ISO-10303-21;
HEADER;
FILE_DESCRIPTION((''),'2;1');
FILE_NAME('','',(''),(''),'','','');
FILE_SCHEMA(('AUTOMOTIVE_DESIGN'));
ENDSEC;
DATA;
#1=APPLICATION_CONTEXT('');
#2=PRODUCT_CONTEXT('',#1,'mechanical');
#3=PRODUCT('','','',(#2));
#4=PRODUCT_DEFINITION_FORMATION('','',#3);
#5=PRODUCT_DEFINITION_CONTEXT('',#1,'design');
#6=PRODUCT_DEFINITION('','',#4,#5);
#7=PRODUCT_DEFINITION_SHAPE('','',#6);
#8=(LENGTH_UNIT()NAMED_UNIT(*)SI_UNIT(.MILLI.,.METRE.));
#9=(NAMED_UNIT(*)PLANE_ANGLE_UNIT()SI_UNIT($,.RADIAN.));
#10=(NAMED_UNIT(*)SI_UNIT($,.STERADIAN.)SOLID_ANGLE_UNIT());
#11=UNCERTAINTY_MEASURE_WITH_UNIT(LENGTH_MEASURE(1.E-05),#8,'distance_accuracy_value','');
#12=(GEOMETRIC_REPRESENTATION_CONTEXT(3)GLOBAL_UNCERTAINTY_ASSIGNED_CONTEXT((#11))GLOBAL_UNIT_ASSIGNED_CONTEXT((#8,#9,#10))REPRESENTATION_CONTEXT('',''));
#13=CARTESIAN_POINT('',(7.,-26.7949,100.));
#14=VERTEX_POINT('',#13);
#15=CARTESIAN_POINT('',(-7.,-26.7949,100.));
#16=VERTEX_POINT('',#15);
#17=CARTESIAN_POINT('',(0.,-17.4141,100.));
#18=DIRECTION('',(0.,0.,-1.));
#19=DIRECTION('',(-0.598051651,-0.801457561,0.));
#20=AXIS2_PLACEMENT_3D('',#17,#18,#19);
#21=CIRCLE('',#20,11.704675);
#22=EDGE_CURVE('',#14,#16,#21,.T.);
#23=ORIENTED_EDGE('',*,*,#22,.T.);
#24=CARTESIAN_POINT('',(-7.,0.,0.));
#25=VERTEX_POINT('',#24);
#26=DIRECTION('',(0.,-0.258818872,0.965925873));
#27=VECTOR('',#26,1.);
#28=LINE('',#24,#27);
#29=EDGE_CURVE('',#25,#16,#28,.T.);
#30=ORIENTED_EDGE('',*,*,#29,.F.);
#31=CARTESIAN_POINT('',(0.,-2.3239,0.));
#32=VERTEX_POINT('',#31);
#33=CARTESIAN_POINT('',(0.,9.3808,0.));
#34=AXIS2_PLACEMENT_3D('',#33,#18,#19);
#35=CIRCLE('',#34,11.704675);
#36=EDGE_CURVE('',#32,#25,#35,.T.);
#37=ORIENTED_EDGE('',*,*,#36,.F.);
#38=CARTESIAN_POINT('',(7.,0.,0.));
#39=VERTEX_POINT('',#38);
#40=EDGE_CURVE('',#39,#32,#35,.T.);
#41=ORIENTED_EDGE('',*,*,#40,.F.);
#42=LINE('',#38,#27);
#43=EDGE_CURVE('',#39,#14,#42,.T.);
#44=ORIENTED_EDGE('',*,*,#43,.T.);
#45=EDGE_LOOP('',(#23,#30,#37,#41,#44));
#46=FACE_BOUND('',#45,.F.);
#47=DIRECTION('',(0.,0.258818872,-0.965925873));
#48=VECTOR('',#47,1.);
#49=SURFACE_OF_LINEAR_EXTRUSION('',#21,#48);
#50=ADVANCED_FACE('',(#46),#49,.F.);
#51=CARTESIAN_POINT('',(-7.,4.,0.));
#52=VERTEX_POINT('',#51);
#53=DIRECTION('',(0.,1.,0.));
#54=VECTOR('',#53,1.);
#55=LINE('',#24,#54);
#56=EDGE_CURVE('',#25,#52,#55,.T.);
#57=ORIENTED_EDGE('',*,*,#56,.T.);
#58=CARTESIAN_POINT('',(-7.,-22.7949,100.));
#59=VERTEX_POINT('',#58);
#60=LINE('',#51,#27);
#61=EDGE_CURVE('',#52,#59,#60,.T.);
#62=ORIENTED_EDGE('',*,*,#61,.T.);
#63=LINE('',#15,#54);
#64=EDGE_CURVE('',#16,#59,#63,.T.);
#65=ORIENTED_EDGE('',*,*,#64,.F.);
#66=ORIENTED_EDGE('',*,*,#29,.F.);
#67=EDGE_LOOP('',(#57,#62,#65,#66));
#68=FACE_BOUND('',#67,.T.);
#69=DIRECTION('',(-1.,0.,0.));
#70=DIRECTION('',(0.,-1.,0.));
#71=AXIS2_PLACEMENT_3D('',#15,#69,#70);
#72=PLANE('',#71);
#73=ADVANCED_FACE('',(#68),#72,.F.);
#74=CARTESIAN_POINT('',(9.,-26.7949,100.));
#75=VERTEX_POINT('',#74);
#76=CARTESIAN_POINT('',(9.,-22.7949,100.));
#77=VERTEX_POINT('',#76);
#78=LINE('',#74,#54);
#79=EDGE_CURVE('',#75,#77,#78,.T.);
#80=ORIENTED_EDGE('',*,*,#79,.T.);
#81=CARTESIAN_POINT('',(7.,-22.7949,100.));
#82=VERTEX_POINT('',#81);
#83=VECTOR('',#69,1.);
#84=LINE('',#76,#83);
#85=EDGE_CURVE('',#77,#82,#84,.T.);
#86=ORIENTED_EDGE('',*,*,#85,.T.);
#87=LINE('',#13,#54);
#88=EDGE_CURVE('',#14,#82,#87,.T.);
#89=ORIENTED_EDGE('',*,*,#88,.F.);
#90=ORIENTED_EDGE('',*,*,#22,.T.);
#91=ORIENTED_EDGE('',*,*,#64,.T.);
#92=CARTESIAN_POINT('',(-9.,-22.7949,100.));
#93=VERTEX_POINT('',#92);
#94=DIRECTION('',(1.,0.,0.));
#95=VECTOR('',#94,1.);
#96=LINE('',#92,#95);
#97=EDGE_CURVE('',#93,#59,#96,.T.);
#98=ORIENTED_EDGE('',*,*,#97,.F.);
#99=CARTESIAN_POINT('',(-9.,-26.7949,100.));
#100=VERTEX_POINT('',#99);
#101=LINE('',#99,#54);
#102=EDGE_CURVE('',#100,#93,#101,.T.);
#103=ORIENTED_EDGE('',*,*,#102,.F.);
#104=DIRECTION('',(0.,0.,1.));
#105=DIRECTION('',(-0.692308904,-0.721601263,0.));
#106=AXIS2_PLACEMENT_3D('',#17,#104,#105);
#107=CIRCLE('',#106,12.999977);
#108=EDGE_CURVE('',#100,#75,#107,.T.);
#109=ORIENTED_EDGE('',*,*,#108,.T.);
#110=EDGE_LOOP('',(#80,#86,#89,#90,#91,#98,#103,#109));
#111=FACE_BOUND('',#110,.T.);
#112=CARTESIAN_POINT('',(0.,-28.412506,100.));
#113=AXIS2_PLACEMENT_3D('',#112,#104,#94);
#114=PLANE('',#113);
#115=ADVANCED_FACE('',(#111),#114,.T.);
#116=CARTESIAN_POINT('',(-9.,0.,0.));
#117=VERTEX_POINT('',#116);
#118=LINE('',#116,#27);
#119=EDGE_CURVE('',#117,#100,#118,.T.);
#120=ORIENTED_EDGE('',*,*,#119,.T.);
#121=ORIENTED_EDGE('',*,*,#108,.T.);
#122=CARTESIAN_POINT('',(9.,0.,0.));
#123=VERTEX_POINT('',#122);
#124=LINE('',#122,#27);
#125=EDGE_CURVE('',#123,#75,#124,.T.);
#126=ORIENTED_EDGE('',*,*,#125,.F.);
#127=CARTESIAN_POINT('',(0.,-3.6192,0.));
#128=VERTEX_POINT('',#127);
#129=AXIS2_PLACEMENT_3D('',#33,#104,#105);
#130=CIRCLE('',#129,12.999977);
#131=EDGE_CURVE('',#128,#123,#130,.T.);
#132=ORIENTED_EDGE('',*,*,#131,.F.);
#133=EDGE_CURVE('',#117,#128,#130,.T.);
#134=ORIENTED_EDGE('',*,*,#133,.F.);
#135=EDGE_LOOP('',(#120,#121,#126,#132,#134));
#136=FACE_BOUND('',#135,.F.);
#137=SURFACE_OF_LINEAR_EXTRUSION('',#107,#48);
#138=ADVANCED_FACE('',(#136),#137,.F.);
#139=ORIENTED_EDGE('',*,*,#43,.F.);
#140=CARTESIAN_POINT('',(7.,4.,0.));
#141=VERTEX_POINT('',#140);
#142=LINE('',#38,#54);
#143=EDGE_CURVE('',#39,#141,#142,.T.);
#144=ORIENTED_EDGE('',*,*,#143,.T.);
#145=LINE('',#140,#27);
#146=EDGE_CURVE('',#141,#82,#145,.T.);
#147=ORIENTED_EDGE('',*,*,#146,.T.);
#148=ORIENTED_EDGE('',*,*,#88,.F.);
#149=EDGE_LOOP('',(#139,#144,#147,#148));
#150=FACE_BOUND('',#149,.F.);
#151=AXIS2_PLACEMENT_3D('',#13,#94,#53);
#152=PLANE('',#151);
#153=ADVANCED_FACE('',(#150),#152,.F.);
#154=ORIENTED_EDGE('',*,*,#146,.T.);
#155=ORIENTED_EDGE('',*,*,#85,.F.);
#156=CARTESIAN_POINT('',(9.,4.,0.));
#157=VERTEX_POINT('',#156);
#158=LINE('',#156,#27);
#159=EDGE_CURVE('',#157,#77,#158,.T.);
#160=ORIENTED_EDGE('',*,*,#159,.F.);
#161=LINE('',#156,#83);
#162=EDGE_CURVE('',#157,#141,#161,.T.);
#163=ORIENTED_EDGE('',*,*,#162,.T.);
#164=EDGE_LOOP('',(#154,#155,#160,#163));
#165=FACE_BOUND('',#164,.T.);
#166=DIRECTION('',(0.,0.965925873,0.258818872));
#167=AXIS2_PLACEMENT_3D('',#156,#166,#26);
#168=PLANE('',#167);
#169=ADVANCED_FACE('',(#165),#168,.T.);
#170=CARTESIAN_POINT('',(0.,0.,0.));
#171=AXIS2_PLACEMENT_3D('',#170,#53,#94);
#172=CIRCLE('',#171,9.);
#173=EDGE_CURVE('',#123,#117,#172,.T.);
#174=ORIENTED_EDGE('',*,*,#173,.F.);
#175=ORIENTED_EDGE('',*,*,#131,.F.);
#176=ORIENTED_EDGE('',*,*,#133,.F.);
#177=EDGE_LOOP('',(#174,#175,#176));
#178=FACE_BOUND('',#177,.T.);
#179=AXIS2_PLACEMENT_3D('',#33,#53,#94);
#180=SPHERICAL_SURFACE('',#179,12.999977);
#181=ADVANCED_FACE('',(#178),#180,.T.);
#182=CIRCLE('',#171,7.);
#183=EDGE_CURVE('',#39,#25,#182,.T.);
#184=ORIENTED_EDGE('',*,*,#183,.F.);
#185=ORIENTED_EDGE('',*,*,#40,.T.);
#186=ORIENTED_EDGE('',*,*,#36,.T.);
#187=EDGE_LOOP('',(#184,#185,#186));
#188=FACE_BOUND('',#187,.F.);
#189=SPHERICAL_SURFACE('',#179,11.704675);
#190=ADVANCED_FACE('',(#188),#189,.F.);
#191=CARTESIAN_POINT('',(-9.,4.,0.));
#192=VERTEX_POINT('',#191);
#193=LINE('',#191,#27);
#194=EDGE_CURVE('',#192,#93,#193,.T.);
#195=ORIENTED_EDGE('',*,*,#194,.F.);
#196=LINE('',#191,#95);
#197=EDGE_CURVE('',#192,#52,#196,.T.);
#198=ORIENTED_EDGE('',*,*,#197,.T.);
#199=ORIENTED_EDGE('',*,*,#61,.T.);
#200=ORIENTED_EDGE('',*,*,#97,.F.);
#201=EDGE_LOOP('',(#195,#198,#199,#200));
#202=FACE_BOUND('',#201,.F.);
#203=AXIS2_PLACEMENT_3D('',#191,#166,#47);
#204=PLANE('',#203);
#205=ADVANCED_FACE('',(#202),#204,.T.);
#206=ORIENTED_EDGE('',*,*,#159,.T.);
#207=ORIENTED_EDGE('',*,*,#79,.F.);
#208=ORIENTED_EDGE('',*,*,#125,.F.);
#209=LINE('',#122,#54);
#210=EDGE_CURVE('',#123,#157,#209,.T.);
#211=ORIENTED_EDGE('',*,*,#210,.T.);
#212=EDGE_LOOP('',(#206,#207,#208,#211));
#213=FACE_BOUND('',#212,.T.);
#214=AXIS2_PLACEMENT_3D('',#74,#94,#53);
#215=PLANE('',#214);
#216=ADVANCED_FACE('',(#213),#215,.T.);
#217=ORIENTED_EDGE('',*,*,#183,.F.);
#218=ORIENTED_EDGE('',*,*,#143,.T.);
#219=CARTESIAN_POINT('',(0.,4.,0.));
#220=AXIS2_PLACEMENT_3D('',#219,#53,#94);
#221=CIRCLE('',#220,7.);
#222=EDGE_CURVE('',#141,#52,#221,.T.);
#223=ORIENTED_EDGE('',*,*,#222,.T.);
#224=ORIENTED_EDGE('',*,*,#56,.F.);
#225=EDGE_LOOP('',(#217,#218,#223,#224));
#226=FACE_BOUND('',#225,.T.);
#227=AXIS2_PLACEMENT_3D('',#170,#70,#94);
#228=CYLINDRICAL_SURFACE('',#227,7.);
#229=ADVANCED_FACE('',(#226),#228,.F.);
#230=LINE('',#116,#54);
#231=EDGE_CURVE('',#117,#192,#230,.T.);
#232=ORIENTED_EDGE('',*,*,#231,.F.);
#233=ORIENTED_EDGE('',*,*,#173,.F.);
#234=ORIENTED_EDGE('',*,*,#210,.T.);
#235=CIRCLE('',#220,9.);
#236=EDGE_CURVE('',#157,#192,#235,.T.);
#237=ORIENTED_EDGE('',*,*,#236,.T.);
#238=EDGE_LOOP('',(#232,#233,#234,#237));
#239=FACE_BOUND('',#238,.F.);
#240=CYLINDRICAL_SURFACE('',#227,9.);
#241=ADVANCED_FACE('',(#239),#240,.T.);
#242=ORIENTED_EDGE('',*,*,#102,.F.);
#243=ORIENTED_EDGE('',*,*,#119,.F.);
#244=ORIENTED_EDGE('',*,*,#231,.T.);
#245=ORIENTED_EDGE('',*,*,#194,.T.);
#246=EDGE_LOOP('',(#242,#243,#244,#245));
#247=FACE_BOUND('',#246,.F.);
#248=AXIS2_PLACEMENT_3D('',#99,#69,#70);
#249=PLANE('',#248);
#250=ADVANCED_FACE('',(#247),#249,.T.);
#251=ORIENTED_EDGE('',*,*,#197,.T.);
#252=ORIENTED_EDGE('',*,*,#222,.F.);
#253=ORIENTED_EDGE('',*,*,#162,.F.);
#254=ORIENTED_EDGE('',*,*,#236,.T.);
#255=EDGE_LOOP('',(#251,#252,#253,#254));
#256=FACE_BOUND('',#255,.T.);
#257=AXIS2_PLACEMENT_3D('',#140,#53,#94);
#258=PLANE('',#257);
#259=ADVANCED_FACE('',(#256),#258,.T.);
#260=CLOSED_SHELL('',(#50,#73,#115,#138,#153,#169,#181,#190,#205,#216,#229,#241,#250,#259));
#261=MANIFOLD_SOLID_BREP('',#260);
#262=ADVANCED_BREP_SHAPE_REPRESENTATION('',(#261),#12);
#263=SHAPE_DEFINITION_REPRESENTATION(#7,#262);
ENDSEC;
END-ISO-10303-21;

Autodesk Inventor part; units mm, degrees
ref_plane "YZ Plane" through (0, 0, 0) normal (1, 0, 0) x (0, 1, 0)
sketch "Esquisse1" plane through (0, 0, 0) normal (0, 1, 0) x (-1, 0, 0)
  line L0 (0, 0) -> (0, 100) construction
  circle A0 centre (0, 0) radius 7 construction
  circle A1 centre (0, 0) radius 9 construction
  arc A2 (-7, 0) -> (7, 0) centre (0, 0) ccw
  arc A3 (-9, 0) -> (9, 0) centre (0, 0) ccw
  line L1 (-9, 0) -> (-7, 0)
  line L2 (7, 0) -> (9, 0)
  line L3 (-7, 0) -> (-7, 2)
  line L4 (-7, 2) -> (-9, 2)
  line L5 (-9, 2) -> (-9, 0)
  line L6 (9, 0) -> (9, 2)
  line L7 (9, 2) -> (7, 2)
  line L8 (7, 2) -> (7, 0)
  dimension "d0" = 100
  dimension "d1" = 14
  dimension "d4" = 18
  dimension "d7" = 2
ref_plane "Plan de construction1" through (9, -26.7949, 100) normal (1, 0, 0) x (0, 1, 0)
sketch "Esquisse3" plane through (9, -26.7949, 100) normal (1, 0, 0) x (0, 1, 0)
  line L0 (0, 0) -> (4, 0)
  line L1 (26.7949, -107) -> (26.7949, -100) projected
  line L2 (26.7949, -100) -> (30.7949, -100)
  line L3 (30.7949, -100) -> (4, 0)
  line L4 (26.7949, -100) -> (0, 0) projected
  line L5 (26.7949, -100) -> (0, 0)
  dimension "d12" = 4
  dimension "d13" = 4
extrude "Extrusion1" add sketch "Esquisse3" against normal blind 2
mirror "Symétrie1" about plane through (0, 0, 0) normal (1, 0, 0) of "Extrusion1"
ref_plane "Plan de construction2" through (7, 0, 0) normal (0, 1, 0) x (1, 0, 0)
sketch "Esquisse4" plane through (7, 0, 0) normal (0, 1, 0) x (1, 0, 0)
  arc A0 (2, 0) -> (-16, 0) centre (-7, 0) ccw projected
  arc A1 (2, 0) -> (-16, 0) centre (-7, 0) ccw
  arc A2 (0, 0) -> (-14, 0) centre (-7, 0) ccw projected
  arc A3 (0, 0) -> (-14, 0) centre (-7, 0) ccw
  line L0 (-14, -100) -> (-14, 0) projected
  line L1 (-14, 0) -> (-16, 0)
  line L2 (0, 0) -> (2, 0)
extrude "Extrusion2" add sketch "Esquisse4" along normal blind 4
sketch "Esquisse5" plane through (9, -26.7949, 100) normal (0, 0, 1) x (1, 0, 0)
  line L0 (0, 0) -> (0, 26.7949) projected
  line L1 (-18, 0) -> (-18, 26.7949) projected
  line L2 (0, 0) -> (-18, 0)
  arc A0 (-18, 0) -> (0, 0) centre (-9, 9.3808) ccw
  line L3 (-16, 26.7949) -> (-16, 0) projected
  line L4 (-2, 26.7949) -> (-2, 0) projected
  arc A1 (-16, 0) -> (-2, 0) centre (-9, 9.3808) ccw
  point P0 (-9, 26.7949)
  dimension "d18" = 13
sketch3d "Esquisse 3D1"
  line L0 (9, -26.7949, 100) -> (9, 0, 0)
sweep "Balayage2" add profiles "Esquisse5" path "Esquisse 3D1" contours A0 L2 A1
sketch "Esquisse6" plane through (0, 0, 0) normal (0, 0, 1) x (1, 0, 0)
  arc A0 (-9, 0) -> (9, 0) centre (0, 9.3808) ccw projected
  line L0 (0, -3.6192) -> (0, -2.3239)
  arc A1 (-7, 0) -> (7, 0) centre (0, 9.3808) ccw projected
  line L1 (9, 0) -> (7, 0) projected
  line L2 (7, 0) -> (9, 0)
  line L3 (-7, 0) -> (7, 0) projected
  arc A2 (0, -2.3239) -> (7, 0) centre (0, 9.3808) ccw
  arc A3 (0, -3.6192) -> (9, 0) centre (0, 9.3808) ccw
  line L4 (0, -7.2643) -> (0, 12.155) projected
  point P0 (0, 0)
revolve "Révolution1" add sketch "Esquisse6" angle 180 about axis through (0, -10, 0) along (0, 1, 0) contours L0 A1 L1 A0
properties part number "TOBOGAN"
